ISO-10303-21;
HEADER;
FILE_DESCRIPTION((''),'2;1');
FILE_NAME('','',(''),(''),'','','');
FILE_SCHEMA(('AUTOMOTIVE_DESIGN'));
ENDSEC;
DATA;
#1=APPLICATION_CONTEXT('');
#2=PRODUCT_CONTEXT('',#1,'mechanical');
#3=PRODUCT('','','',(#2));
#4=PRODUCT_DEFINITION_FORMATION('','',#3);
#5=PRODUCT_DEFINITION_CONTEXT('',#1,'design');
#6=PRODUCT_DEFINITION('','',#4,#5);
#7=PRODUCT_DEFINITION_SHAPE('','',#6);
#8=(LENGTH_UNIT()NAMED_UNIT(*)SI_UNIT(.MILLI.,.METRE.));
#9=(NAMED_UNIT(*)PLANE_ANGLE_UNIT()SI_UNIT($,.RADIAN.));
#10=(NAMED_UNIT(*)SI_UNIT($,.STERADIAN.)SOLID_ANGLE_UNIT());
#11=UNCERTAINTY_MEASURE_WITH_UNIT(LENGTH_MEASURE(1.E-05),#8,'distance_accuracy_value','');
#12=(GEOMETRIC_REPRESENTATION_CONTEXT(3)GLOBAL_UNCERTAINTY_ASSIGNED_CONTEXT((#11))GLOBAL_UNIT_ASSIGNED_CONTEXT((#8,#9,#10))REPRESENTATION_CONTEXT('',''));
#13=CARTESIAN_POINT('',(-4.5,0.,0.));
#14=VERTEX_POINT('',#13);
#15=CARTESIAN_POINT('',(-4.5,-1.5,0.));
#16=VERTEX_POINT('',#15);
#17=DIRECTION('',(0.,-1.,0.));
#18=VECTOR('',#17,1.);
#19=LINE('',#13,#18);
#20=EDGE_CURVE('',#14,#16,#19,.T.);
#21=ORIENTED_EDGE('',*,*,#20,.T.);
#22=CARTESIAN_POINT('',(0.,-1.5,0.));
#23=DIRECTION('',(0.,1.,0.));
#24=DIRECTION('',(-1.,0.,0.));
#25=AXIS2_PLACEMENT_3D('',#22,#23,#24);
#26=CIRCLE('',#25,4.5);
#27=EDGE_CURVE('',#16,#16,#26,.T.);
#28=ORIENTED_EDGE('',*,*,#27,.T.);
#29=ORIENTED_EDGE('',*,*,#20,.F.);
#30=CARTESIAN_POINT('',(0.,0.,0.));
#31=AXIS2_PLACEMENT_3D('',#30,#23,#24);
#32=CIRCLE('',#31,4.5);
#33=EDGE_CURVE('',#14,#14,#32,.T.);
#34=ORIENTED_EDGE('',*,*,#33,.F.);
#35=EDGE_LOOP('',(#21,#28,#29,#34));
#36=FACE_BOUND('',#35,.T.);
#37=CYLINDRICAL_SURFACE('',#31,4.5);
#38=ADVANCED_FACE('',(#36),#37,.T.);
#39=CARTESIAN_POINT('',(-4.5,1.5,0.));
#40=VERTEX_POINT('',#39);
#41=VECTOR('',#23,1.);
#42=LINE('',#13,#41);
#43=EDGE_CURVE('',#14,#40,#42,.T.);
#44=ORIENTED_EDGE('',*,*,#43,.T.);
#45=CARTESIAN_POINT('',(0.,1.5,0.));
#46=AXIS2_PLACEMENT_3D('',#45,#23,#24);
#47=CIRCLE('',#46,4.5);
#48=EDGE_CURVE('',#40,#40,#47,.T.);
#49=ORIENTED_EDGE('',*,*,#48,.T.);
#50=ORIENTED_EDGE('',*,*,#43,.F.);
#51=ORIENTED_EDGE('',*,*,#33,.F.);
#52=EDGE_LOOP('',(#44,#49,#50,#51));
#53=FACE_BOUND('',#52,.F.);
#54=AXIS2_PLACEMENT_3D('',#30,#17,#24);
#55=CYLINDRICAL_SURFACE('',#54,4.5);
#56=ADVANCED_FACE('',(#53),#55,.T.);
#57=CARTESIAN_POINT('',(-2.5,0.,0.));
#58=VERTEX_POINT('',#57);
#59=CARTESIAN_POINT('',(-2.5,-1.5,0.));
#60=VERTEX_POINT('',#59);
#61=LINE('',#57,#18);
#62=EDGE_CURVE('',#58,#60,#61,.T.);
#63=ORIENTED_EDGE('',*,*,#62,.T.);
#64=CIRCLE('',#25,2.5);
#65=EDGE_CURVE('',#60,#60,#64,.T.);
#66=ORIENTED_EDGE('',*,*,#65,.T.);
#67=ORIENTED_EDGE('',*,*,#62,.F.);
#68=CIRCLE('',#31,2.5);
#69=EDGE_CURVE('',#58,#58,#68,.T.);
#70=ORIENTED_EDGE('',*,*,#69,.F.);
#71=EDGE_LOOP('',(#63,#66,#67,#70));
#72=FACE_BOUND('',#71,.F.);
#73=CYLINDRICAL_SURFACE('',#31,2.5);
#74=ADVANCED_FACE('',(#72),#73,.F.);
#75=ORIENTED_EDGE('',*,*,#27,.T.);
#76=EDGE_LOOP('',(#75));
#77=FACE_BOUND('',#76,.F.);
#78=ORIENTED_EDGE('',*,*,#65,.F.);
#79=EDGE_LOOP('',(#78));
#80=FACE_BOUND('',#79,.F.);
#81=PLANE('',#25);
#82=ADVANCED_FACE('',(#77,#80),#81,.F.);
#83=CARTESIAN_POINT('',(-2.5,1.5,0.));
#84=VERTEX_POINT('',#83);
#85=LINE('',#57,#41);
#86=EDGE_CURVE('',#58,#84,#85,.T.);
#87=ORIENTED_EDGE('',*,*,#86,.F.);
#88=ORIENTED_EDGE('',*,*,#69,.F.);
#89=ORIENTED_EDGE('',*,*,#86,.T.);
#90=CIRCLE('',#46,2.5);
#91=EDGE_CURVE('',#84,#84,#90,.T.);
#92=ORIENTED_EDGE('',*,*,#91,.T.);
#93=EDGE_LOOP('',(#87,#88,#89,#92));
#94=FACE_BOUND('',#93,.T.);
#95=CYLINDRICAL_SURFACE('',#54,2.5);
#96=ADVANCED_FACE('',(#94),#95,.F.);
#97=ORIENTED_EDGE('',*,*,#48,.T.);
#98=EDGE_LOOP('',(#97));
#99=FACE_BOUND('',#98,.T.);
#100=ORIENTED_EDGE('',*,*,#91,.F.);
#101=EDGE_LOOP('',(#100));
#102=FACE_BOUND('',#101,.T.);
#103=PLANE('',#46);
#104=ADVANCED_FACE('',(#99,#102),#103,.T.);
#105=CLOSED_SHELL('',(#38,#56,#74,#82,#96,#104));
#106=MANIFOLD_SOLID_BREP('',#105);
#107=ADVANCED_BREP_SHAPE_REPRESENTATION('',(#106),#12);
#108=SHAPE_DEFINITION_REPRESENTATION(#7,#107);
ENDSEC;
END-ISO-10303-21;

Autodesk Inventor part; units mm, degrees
ref_plane "YZ Plane" through (0, 0, 0) normal (1, 0, 0) x (0, 1, 0)
ref_plane "XZ Plane" through (0, 0, 0) normal (0, 1, 0) x (-1, 0, 0)
ref_plane "XY Plane" through (0, 0, 0) normal (0, 0, 1) x (1, 0, 0)
sketch "Sketch11" plane through (0, 0, 0) normal (0, 1, 0) x (-1, 0, 0)
  circle A0 centre (0, 0) radius 2.5
  circle A1 centre (0, 0) radius 4.5
  dimension "d82" = 5
  dimension "d83" = 9
extrude "Extrusion7" add sketch "Sketch11" along normal mid plane 3
properties part number "Nema 17 Plastic Spacer 2" material "Nylon 6/6"
